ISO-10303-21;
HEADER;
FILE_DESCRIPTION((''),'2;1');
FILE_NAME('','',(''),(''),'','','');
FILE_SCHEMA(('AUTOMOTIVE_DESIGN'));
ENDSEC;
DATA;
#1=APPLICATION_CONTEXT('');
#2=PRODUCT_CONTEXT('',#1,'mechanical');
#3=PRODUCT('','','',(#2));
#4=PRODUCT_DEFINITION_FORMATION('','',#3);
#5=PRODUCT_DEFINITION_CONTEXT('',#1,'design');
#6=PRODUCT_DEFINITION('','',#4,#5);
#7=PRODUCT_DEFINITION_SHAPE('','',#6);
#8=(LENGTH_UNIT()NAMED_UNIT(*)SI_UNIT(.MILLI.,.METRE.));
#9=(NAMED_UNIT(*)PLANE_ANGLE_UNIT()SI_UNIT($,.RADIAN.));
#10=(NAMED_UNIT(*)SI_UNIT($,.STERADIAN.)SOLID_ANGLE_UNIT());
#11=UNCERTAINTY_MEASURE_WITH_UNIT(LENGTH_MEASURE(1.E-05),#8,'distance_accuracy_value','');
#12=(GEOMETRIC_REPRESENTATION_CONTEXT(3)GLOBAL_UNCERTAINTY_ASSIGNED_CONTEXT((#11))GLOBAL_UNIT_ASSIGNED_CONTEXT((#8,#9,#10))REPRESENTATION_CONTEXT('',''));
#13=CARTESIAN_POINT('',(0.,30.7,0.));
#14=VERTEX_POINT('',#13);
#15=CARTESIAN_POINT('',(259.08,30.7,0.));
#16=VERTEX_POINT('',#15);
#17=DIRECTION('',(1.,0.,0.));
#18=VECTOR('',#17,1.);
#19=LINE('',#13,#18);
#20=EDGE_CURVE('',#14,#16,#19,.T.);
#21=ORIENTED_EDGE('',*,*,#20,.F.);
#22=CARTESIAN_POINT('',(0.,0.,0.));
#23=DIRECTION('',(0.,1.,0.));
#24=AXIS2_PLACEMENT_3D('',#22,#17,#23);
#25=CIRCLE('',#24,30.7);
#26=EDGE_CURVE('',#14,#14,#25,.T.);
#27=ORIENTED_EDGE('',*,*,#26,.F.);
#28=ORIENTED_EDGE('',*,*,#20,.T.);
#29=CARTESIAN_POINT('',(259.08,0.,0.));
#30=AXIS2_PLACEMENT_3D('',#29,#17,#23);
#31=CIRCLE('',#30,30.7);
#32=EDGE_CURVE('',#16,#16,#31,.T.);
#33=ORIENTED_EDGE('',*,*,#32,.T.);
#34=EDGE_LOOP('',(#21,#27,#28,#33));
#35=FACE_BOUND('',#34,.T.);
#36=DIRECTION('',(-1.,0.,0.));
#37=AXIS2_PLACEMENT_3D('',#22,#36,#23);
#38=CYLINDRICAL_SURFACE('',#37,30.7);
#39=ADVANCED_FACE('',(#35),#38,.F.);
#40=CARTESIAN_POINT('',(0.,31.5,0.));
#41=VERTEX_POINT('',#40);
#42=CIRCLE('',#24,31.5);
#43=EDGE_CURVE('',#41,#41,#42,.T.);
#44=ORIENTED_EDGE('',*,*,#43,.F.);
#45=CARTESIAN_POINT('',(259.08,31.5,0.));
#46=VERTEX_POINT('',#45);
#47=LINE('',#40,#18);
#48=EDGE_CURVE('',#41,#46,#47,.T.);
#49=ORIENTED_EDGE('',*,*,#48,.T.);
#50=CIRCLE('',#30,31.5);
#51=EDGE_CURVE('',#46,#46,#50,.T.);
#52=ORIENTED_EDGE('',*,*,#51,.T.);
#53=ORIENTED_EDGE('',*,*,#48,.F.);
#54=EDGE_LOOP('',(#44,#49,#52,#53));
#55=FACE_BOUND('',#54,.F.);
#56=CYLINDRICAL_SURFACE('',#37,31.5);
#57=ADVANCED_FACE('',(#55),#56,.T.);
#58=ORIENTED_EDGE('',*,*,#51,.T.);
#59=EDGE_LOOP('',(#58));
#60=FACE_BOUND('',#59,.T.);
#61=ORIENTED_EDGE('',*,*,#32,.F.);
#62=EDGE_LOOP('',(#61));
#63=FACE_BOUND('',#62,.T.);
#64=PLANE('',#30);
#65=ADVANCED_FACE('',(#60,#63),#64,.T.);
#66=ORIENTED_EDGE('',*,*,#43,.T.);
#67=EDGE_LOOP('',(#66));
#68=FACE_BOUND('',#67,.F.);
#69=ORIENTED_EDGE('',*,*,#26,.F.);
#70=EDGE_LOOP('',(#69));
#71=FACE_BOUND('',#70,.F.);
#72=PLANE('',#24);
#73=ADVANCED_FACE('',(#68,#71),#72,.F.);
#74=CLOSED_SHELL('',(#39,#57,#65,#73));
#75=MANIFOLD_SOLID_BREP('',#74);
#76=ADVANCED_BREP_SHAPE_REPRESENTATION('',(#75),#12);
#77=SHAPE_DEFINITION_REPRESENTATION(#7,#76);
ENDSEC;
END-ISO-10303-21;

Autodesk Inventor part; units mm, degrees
ref_plane "YZ Plane" through (0, 0, 0) normal (1, 0, 0) x (0, 1, 0)
ref_plane "XZ Plane" through (0, 0, 0) normal (0, 1, 0) x (-1, 0, 0)
ref_plane "XY Plane" through (0, 0, 0) normal (0, 0, 1) x (1, 0, 0)
sketch "Sketch1" plane through (0, 0, 0) normal (1, 0, 0) x (0, 1, 0)
  circle A0 centre (0, 0) radius 31.5
  circle A1 centre (0, 0) radius 30.7
  dimension "d0" = 63
  dimension "d1" = 0.8
extrude "Extrusion1" add sketch "Sketch1" along normal blind 259.08
equation "\"d0\" = OD"
equation "\"d1\" = t"
equation "\"d2\" = L"
equation "\"OD\" = 63"
equation "\"t\" = 0.8"
equation "\"L\" = PL"
equation "\"ID\" = 61.4"
equation "\"PL\" = 259.08"
properties part number "ISO 4065 Pipe DN63x0.8xS40 - 259.08000000" material "PVC-Piping"
